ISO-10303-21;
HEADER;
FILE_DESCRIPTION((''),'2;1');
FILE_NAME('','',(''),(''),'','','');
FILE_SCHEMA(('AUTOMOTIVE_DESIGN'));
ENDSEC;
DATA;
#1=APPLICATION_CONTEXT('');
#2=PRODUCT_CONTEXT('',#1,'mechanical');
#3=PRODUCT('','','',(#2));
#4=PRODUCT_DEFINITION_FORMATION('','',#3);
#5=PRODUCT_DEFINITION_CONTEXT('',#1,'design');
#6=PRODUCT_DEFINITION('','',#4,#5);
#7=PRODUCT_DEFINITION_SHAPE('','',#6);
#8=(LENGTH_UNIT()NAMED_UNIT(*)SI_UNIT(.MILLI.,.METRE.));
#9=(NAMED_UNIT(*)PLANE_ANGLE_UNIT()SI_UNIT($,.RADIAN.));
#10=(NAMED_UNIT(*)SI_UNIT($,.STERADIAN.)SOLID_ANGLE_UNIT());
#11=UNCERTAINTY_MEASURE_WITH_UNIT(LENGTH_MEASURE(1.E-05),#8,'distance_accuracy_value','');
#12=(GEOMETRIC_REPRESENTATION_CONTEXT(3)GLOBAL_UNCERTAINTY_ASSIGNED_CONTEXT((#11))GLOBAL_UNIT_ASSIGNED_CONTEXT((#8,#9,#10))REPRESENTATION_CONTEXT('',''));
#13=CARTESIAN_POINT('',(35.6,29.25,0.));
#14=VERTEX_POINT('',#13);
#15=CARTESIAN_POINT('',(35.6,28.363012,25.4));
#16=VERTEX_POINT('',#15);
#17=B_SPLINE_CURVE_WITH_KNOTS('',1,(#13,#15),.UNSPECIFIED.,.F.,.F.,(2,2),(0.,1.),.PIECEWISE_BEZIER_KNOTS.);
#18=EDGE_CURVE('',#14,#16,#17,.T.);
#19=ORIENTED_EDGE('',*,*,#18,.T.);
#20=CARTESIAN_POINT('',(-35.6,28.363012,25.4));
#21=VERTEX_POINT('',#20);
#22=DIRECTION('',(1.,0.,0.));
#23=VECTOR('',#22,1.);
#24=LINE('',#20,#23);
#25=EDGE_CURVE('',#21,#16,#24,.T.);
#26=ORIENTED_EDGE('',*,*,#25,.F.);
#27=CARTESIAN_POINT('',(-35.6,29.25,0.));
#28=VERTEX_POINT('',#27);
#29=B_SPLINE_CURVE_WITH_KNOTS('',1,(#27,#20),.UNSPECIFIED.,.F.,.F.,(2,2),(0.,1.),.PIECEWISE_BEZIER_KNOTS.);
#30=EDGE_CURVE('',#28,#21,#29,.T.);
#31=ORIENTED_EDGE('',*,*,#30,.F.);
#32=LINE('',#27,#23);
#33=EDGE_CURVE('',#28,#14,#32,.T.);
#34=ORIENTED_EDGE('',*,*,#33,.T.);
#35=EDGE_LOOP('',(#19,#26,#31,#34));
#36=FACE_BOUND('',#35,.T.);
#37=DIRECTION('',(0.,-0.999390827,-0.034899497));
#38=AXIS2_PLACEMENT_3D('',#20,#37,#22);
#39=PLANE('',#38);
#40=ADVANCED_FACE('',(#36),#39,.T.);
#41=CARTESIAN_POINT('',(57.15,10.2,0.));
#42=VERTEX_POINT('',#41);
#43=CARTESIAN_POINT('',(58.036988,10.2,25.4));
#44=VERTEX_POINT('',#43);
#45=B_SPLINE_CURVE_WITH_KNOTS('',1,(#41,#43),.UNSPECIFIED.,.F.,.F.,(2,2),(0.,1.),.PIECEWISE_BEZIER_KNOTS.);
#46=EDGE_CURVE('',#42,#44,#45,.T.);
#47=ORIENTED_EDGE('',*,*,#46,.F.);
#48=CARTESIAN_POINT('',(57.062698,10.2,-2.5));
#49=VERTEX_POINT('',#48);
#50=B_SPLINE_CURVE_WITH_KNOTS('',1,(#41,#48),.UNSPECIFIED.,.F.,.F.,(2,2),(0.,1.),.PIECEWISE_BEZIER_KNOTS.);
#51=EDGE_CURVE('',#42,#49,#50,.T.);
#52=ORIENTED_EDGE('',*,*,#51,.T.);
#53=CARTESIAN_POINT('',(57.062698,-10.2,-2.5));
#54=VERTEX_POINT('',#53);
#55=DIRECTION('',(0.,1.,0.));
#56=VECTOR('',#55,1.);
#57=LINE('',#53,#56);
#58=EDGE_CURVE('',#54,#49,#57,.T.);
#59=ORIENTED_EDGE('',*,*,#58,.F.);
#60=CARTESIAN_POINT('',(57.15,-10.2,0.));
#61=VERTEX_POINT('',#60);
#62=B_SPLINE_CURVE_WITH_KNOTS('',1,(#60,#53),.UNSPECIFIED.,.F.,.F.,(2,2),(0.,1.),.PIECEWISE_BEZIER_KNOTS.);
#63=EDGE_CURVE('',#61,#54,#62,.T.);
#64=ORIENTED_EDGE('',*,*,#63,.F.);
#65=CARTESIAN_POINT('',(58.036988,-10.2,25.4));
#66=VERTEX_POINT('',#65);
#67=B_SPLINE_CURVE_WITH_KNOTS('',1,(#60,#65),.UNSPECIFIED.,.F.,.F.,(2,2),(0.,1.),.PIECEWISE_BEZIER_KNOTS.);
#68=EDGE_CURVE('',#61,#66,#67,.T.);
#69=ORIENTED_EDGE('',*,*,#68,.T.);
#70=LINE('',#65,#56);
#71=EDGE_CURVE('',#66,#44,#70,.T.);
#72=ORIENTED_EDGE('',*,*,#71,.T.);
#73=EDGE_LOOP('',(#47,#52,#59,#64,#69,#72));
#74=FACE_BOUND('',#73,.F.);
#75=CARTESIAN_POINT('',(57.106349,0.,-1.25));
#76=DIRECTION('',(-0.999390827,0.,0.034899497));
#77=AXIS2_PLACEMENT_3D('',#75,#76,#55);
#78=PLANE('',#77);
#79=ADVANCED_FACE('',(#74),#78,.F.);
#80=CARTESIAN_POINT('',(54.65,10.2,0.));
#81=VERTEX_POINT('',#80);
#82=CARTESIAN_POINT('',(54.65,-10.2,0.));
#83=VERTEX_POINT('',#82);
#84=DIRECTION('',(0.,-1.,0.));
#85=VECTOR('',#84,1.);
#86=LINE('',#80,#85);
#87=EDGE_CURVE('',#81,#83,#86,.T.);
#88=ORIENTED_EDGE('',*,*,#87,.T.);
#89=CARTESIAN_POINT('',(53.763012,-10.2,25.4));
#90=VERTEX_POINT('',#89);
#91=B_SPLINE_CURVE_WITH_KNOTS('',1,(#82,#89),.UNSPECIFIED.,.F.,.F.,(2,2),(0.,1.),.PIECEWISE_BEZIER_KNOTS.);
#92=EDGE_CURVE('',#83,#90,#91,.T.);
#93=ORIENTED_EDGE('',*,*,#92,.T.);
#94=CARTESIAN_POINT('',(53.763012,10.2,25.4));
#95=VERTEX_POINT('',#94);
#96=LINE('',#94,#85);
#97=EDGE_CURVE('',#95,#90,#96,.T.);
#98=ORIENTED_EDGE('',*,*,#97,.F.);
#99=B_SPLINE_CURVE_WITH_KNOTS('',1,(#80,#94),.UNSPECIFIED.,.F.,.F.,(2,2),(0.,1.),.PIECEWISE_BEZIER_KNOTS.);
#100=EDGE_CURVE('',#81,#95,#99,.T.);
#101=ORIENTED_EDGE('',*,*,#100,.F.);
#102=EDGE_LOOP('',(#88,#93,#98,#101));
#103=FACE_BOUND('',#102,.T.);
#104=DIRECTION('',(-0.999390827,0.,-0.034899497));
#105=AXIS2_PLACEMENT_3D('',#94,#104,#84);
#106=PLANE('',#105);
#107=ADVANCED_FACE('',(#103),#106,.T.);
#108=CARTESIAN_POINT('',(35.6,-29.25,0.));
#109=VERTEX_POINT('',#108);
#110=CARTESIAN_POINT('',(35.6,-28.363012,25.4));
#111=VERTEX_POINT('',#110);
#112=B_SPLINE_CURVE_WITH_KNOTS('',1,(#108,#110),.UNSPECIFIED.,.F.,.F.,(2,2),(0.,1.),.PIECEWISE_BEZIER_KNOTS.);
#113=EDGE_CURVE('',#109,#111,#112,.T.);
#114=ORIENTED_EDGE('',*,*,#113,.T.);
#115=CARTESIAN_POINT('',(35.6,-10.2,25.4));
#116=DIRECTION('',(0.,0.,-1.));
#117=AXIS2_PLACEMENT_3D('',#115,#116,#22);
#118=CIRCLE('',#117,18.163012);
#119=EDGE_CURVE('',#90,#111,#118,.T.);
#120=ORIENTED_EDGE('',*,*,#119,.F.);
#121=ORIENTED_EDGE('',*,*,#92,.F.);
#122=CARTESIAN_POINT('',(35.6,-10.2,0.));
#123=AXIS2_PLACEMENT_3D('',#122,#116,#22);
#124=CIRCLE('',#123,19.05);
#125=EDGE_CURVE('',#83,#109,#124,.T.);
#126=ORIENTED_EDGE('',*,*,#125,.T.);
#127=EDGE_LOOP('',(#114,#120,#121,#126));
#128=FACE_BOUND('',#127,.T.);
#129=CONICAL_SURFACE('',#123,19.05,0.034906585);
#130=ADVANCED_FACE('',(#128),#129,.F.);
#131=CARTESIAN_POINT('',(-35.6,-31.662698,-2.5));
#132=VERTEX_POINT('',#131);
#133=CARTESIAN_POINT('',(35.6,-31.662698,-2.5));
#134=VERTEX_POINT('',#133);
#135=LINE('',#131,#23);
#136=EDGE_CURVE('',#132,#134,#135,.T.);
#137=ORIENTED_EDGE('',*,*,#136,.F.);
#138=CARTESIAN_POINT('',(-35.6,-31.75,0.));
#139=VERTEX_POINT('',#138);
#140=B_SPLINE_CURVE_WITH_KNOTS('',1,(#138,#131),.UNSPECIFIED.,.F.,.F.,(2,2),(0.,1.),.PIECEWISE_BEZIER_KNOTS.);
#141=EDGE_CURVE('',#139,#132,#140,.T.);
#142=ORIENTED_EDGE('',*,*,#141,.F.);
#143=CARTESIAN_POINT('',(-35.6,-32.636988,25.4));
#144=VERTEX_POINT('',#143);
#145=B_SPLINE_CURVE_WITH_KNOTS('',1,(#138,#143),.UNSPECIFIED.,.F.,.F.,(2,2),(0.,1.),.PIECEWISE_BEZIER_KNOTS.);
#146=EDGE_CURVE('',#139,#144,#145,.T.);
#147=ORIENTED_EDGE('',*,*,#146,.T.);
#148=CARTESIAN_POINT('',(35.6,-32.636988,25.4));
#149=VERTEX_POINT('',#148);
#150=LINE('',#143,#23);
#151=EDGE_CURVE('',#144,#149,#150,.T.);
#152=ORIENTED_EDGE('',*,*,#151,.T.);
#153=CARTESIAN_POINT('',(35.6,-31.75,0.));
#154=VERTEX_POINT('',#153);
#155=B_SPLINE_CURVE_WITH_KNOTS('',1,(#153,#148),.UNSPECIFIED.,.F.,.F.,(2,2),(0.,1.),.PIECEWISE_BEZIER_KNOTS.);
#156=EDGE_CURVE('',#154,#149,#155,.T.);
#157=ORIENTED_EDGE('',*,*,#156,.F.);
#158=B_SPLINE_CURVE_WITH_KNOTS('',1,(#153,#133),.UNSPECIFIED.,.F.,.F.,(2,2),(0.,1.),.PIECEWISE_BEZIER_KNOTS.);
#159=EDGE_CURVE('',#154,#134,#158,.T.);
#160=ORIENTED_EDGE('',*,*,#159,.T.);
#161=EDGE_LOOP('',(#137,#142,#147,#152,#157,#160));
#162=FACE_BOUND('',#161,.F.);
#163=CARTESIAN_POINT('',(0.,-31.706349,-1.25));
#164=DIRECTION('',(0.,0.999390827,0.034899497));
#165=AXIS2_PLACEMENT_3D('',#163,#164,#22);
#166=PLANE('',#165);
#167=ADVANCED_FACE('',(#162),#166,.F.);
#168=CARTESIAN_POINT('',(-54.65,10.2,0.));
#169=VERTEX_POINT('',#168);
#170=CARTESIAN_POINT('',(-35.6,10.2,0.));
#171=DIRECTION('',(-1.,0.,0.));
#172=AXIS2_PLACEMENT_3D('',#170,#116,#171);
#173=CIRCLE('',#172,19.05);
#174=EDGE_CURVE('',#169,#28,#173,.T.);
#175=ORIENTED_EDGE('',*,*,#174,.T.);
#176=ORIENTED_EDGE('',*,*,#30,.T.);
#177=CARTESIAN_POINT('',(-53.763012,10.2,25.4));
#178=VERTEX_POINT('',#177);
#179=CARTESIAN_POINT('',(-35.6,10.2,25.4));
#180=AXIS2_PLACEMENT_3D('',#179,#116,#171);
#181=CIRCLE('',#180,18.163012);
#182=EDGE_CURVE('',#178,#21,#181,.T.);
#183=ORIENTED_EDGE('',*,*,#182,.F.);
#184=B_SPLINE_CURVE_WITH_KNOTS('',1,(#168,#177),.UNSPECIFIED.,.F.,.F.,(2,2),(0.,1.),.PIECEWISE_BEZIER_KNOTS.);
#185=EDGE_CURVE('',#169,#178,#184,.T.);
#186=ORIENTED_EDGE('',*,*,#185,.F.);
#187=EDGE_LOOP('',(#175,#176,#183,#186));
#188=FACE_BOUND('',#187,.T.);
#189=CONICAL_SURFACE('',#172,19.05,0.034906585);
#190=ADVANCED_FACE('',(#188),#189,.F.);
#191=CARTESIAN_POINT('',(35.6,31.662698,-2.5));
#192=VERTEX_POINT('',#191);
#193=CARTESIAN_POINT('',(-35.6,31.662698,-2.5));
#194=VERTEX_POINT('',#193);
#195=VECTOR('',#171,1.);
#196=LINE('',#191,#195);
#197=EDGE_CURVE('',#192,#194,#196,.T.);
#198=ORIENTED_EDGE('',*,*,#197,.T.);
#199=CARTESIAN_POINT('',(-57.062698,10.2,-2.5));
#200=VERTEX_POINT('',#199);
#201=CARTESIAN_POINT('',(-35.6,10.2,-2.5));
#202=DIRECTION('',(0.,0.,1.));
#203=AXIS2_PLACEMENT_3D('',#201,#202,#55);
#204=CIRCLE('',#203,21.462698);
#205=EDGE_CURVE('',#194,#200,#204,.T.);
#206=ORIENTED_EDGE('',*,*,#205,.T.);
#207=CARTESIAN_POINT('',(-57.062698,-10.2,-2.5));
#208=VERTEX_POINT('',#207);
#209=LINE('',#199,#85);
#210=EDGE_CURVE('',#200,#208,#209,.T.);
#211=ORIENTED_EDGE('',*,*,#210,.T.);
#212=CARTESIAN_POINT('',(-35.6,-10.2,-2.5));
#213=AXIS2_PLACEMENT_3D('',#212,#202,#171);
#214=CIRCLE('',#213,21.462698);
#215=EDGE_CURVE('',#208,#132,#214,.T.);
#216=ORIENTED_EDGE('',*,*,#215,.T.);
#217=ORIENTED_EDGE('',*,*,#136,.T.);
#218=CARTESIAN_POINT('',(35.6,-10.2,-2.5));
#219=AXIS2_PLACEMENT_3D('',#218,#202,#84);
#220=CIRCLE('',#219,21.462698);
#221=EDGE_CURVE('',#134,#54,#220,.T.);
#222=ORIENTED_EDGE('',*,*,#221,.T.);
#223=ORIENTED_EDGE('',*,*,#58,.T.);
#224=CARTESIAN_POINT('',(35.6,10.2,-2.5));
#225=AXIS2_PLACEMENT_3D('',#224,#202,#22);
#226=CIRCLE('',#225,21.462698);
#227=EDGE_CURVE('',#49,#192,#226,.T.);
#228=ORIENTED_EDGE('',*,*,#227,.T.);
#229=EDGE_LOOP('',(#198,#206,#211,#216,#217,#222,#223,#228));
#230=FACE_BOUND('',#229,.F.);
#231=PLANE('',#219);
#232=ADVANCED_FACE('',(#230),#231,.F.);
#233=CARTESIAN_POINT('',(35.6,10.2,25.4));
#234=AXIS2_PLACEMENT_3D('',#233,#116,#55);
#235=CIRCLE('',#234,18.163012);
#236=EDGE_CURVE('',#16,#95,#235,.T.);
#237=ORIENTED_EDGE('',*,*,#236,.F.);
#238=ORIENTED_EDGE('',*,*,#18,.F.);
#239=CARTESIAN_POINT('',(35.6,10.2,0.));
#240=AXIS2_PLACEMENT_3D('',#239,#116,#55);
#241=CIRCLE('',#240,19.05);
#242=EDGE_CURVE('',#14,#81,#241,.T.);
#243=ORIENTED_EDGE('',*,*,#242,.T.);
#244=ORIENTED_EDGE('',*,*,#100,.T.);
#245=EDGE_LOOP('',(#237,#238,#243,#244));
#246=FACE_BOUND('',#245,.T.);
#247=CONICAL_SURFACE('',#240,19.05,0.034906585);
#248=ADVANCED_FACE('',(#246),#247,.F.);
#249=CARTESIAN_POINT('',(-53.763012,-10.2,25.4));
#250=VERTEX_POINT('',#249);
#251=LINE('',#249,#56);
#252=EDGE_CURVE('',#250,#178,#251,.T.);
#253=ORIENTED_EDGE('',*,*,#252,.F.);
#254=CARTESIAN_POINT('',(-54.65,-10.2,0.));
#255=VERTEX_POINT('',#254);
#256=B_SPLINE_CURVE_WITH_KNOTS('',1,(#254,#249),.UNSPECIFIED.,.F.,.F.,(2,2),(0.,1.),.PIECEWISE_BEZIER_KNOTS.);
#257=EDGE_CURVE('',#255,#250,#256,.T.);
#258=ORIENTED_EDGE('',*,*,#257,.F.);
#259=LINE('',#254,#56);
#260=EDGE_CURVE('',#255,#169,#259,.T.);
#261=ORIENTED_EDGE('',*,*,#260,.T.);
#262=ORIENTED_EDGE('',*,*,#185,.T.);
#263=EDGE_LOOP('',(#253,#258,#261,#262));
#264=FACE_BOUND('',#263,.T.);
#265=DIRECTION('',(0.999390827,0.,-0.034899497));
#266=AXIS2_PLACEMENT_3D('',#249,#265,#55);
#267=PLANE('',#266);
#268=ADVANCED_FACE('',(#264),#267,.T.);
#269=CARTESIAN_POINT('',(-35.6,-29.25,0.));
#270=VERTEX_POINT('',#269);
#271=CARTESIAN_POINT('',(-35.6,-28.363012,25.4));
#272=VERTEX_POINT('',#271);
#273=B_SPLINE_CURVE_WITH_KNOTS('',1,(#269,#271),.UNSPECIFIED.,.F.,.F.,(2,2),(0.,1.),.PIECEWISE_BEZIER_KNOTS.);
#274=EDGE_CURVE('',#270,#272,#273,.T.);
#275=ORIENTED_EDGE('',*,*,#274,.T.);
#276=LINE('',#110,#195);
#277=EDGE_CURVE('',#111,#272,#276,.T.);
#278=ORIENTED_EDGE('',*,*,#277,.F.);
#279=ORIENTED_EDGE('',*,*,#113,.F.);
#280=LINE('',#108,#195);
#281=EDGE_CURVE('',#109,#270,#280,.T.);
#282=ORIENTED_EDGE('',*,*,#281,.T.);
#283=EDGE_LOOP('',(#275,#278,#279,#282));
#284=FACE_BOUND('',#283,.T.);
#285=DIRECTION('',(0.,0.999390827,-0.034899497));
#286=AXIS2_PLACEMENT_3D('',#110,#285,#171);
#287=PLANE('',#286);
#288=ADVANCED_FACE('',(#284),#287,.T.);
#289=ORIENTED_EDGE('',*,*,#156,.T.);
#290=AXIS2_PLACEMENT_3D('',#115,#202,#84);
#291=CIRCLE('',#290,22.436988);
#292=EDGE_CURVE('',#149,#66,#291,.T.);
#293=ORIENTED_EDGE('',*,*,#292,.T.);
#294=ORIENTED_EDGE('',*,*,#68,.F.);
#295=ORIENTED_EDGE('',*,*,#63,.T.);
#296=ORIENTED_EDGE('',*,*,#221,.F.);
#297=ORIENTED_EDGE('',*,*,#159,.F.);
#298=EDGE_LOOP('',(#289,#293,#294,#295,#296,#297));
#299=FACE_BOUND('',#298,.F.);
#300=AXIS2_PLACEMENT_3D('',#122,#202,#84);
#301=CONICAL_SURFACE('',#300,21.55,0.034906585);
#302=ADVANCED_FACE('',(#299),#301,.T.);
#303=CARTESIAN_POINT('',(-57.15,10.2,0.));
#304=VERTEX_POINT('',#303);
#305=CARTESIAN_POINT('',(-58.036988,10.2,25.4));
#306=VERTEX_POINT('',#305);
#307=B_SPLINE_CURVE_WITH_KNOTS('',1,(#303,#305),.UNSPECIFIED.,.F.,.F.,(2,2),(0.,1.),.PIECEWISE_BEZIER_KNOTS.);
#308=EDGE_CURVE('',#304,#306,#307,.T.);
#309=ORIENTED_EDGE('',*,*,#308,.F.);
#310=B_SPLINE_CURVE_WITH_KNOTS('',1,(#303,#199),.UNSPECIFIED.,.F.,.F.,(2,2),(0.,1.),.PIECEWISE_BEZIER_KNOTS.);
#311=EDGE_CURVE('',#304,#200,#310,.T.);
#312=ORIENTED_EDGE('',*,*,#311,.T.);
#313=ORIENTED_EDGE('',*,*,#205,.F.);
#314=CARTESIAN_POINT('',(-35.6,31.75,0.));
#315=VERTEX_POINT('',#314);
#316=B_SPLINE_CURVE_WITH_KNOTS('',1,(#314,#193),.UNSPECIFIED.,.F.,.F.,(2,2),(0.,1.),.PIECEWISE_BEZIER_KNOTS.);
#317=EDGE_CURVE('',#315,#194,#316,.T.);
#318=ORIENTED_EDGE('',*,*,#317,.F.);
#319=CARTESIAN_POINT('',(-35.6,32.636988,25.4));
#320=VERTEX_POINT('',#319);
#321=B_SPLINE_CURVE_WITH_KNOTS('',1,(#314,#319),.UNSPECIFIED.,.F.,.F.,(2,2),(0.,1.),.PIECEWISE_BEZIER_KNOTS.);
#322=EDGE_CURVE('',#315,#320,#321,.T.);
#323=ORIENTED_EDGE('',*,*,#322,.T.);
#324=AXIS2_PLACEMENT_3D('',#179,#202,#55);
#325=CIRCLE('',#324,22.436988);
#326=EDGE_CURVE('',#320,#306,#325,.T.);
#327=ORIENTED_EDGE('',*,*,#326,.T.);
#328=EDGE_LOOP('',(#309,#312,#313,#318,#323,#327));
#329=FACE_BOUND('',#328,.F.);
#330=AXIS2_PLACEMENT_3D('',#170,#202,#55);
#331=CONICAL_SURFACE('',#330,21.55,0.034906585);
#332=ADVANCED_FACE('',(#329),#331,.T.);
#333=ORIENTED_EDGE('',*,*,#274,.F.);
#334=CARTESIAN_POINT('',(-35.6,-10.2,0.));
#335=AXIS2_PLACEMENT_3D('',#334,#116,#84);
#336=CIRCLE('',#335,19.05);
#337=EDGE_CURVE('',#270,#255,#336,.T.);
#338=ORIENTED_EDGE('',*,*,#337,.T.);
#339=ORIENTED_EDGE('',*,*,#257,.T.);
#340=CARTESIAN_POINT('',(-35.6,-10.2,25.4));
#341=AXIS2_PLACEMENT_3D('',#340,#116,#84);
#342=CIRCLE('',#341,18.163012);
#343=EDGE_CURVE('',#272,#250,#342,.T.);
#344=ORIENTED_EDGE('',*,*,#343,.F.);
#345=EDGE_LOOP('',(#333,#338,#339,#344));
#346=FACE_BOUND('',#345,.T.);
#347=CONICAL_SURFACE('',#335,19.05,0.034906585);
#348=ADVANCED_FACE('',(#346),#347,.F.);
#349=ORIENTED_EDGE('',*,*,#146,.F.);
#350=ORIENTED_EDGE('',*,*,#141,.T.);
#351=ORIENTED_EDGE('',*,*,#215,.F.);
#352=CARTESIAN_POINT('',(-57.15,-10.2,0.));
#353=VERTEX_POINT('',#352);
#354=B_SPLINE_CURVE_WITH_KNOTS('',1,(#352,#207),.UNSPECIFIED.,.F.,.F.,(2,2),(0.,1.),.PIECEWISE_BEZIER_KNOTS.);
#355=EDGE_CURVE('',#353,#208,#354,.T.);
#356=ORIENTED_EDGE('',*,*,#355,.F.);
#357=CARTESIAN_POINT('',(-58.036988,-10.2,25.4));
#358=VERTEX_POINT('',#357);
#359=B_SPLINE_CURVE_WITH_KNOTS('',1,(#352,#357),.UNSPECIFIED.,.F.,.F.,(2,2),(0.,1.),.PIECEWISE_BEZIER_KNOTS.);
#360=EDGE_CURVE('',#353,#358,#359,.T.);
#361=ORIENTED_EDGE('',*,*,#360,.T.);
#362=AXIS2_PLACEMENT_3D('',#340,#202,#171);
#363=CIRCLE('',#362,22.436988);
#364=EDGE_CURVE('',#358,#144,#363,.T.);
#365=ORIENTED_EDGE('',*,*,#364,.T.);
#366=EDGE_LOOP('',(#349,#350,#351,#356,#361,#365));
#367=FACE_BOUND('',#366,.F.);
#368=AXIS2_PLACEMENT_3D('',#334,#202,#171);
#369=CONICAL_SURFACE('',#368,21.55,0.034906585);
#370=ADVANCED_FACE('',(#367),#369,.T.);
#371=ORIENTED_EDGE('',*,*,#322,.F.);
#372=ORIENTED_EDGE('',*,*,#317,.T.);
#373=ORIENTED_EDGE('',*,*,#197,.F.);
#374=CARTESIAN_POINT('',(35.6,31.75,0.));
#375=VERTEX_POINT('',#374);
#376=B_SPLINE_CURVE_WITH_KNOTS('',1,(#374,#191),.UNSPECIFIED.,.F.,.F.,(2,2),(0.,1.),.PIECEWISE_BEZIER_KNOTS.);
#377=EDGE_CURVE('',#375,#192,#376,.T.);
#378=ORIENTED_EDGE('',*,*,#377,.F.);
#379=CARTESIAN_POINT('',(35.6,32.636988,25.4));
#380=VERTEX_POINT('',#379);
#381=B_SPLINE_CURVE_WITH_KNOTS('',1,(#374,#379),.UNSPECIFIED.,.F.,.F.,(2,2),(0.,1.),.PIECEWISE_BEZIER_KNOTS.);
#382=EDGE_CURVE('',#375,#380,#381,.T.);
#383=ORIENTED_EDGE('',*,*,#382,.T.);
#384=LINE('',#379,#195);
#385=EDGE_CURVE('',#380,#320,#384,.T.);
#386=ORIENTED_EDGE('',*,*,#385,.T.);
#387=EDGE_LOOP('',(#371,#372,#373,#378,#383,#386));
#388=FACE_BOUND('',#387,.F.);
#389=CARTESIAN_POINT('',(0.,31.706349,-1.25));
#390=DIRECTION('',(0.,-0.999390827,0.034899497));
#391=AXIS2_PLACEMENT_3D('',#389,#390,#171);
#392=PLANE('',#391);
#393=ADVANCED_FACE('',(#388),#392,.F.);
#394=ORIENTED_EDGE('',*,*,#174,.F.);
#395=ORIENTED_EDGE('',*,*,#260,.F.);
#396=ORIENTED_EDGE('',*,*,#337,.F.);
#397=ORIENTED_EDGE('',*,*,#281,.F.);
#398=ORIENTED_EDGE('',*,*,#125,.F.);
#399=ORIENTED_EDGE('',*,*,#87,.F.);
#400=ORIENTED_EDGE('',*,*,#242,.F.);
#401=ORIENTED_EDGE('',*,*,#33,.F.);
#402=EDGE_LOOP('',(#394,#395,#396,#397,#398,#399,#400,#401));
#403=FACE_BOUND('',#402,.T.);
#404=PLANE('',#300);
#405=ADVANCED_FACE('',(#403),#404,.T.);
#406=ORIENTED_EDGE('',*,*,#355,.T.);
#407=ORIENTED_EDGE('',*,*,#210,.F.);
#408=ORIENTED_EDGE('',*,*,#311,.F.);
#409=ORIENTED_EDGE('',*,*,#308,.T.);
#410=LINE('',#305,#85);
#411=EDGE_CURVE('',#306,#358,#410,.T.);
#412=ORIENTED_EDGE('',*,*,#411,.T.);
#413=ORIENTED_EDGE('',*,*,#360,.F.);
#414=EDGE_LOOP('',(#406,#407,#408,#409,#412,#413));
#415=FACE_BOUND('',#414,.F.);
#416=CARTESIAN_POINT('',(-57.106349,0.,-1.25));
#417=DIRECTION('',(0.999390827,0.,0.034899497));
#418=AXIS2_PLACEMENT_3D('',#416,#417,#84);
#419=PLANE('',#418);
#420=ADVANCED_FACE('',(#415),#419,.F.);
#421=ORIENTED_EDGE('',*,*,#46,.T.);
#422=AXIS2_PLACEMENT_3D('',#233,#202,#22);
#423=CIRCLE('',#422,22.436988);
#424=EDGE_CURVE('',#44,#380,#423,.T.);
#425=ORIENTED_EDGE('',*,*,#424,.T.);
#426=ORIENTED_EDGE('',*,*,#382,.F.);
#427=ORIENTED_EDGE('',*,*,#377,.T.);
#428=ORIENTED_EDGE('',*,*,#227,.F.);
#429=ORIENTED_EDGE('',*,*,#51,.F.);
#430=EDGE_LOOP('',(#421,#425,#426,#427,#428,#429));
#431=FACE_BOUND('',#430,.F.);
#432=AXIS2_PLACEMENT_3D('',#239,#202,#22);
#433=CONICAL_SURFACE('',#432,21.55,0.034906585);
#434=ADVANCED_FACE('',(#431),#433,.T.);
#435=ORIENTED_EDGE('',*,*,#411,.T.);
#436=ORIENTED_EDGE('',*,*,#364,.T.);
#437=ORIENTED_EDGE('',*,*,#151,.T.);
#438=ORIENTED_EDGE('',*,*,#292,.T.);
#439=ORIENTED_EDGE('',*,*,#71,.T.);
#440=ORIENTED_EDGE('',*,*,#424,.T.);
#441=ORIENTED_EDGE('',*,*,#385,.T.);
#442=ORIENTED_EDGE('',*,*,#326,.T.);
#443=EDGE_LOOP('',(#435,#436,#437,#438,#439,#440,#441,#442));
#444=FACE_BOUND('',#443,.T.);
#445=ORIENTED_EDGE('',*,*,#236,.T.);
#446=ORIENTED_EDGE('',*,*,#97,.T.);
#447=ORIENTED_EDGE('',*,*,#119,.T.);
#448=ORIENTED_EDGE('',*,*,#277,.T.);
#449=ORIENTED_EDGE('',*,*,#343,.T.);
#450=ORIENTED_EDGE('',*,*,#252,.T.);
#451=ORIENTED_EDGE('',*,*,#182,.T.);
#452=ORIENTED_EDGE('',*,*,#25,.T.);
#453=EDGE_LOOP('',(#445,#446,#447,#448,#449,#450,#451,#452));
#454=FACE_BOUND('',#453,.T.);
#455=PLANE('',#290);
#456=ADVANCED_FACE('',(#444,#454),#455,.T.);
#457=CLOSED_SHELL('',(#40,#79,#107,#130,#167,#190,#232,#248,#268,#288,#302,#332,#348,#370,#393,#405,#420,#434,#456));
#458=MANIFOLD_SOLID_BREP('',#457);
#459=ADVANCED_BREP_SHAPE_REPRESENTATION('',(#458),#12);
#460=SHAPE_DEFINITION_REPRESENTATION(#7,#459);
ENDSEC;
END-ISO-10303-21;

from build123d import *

# Parameters (mm, degrees)
F2_DEPTH = 25.4
F2_TAPER = -2
F4_DEPTH = 2.5
F4_TAPER = 2


with BuildPart() as f2:
    # F1 (on Top) → F2 (new body)
    with BuildSketch(Plane.XY):
        with BuildLine():
            Line((-35.6, -31.75), (35.6, -31.75))
            ThreePointArc((35.6, -31.75), (50.8381511346, -25.4381511346), (57.15, -10.2))
            Line((57.15, -10.2), (57.15, 10.2))
            ThreePointArc((57.15, 10.2), (50.8381511346, 25.4381511346), (35.6, 31.75))
            Line((35.6, 31.75), (-35.6, 31.75))
            ThreePointArc((-35.6, 31.75), (-50.8381511346, 25.4381511346), (-57.15, 10.2))
            Line((-57.15, 10.2), (-57.15, -10.2))
            ThreePointArc((-57.15, -10.2), (-50.8381511346, -25.4381511346), (-35.6, -31.75))
        make_face()
        with BuildLine():
            ThreePointArc((54.65, -10.2), (49.0703841816, -23.6703841816), (35.6, -29.25))
            Line((35.6, -29.25), (-35.6, -29.25))
            ThreePointArc((-35.6, -29.25), (-49.0703841816, -23.6703841816), (-54.65, -10.2))
            Line((-54.65, -10.2), (-54.65, 10.2))
            ThreePointArc((-54.65, 10.2), (-49.0703841816, 23.6703841816), (-35.6, 29.25))
            Line((-35.6, 29.25), (35.6, 29.25))
            ThreePointArc((35.6, 29.25), (49.0703841816, 23.6703841816), (54.65, 10.2))
            Line((54.65, 10.2), (54.65, -10.2))
        make_face(mode=Mode.SUBTRACT)
    extrude(amount=F2_DEPTH, taper=F2_TAPER)

    # F3 (on Top) → F4 (join)
    with BuildSketch(Plane.XY):
        with BuildLine():
            Line((-35.6, -31.75), (35.6, -31.75))
            ThreePointArc((35.6, -31.75), (50.8381511346, -25.4381511346), (57.15, -10.2))
            Line((57.15, -10.2), (57.15, 10.2))
            ThreePointArc((57.15, 10.2), (50.8381511346, 25.4381511346), (35.6, 31.75))
            Line((35.6, 31.75), (-35.6, 31.75))
            ThreePointArc((-35.6, 31.75), (-50.8381511346, 25.4381511346), (-57.15, 10.2))
            Line((-57.15, 10.2), (-57.15, -10.2))
            ThreePointArc((-57.15, -10.2), (-50.8381511346, -25.4381511346), (-35.6, -31.75))
        make_face()
    extrude(amount=-F4_DEPTH, taper=F4_TAPER)


solid = f2.part
